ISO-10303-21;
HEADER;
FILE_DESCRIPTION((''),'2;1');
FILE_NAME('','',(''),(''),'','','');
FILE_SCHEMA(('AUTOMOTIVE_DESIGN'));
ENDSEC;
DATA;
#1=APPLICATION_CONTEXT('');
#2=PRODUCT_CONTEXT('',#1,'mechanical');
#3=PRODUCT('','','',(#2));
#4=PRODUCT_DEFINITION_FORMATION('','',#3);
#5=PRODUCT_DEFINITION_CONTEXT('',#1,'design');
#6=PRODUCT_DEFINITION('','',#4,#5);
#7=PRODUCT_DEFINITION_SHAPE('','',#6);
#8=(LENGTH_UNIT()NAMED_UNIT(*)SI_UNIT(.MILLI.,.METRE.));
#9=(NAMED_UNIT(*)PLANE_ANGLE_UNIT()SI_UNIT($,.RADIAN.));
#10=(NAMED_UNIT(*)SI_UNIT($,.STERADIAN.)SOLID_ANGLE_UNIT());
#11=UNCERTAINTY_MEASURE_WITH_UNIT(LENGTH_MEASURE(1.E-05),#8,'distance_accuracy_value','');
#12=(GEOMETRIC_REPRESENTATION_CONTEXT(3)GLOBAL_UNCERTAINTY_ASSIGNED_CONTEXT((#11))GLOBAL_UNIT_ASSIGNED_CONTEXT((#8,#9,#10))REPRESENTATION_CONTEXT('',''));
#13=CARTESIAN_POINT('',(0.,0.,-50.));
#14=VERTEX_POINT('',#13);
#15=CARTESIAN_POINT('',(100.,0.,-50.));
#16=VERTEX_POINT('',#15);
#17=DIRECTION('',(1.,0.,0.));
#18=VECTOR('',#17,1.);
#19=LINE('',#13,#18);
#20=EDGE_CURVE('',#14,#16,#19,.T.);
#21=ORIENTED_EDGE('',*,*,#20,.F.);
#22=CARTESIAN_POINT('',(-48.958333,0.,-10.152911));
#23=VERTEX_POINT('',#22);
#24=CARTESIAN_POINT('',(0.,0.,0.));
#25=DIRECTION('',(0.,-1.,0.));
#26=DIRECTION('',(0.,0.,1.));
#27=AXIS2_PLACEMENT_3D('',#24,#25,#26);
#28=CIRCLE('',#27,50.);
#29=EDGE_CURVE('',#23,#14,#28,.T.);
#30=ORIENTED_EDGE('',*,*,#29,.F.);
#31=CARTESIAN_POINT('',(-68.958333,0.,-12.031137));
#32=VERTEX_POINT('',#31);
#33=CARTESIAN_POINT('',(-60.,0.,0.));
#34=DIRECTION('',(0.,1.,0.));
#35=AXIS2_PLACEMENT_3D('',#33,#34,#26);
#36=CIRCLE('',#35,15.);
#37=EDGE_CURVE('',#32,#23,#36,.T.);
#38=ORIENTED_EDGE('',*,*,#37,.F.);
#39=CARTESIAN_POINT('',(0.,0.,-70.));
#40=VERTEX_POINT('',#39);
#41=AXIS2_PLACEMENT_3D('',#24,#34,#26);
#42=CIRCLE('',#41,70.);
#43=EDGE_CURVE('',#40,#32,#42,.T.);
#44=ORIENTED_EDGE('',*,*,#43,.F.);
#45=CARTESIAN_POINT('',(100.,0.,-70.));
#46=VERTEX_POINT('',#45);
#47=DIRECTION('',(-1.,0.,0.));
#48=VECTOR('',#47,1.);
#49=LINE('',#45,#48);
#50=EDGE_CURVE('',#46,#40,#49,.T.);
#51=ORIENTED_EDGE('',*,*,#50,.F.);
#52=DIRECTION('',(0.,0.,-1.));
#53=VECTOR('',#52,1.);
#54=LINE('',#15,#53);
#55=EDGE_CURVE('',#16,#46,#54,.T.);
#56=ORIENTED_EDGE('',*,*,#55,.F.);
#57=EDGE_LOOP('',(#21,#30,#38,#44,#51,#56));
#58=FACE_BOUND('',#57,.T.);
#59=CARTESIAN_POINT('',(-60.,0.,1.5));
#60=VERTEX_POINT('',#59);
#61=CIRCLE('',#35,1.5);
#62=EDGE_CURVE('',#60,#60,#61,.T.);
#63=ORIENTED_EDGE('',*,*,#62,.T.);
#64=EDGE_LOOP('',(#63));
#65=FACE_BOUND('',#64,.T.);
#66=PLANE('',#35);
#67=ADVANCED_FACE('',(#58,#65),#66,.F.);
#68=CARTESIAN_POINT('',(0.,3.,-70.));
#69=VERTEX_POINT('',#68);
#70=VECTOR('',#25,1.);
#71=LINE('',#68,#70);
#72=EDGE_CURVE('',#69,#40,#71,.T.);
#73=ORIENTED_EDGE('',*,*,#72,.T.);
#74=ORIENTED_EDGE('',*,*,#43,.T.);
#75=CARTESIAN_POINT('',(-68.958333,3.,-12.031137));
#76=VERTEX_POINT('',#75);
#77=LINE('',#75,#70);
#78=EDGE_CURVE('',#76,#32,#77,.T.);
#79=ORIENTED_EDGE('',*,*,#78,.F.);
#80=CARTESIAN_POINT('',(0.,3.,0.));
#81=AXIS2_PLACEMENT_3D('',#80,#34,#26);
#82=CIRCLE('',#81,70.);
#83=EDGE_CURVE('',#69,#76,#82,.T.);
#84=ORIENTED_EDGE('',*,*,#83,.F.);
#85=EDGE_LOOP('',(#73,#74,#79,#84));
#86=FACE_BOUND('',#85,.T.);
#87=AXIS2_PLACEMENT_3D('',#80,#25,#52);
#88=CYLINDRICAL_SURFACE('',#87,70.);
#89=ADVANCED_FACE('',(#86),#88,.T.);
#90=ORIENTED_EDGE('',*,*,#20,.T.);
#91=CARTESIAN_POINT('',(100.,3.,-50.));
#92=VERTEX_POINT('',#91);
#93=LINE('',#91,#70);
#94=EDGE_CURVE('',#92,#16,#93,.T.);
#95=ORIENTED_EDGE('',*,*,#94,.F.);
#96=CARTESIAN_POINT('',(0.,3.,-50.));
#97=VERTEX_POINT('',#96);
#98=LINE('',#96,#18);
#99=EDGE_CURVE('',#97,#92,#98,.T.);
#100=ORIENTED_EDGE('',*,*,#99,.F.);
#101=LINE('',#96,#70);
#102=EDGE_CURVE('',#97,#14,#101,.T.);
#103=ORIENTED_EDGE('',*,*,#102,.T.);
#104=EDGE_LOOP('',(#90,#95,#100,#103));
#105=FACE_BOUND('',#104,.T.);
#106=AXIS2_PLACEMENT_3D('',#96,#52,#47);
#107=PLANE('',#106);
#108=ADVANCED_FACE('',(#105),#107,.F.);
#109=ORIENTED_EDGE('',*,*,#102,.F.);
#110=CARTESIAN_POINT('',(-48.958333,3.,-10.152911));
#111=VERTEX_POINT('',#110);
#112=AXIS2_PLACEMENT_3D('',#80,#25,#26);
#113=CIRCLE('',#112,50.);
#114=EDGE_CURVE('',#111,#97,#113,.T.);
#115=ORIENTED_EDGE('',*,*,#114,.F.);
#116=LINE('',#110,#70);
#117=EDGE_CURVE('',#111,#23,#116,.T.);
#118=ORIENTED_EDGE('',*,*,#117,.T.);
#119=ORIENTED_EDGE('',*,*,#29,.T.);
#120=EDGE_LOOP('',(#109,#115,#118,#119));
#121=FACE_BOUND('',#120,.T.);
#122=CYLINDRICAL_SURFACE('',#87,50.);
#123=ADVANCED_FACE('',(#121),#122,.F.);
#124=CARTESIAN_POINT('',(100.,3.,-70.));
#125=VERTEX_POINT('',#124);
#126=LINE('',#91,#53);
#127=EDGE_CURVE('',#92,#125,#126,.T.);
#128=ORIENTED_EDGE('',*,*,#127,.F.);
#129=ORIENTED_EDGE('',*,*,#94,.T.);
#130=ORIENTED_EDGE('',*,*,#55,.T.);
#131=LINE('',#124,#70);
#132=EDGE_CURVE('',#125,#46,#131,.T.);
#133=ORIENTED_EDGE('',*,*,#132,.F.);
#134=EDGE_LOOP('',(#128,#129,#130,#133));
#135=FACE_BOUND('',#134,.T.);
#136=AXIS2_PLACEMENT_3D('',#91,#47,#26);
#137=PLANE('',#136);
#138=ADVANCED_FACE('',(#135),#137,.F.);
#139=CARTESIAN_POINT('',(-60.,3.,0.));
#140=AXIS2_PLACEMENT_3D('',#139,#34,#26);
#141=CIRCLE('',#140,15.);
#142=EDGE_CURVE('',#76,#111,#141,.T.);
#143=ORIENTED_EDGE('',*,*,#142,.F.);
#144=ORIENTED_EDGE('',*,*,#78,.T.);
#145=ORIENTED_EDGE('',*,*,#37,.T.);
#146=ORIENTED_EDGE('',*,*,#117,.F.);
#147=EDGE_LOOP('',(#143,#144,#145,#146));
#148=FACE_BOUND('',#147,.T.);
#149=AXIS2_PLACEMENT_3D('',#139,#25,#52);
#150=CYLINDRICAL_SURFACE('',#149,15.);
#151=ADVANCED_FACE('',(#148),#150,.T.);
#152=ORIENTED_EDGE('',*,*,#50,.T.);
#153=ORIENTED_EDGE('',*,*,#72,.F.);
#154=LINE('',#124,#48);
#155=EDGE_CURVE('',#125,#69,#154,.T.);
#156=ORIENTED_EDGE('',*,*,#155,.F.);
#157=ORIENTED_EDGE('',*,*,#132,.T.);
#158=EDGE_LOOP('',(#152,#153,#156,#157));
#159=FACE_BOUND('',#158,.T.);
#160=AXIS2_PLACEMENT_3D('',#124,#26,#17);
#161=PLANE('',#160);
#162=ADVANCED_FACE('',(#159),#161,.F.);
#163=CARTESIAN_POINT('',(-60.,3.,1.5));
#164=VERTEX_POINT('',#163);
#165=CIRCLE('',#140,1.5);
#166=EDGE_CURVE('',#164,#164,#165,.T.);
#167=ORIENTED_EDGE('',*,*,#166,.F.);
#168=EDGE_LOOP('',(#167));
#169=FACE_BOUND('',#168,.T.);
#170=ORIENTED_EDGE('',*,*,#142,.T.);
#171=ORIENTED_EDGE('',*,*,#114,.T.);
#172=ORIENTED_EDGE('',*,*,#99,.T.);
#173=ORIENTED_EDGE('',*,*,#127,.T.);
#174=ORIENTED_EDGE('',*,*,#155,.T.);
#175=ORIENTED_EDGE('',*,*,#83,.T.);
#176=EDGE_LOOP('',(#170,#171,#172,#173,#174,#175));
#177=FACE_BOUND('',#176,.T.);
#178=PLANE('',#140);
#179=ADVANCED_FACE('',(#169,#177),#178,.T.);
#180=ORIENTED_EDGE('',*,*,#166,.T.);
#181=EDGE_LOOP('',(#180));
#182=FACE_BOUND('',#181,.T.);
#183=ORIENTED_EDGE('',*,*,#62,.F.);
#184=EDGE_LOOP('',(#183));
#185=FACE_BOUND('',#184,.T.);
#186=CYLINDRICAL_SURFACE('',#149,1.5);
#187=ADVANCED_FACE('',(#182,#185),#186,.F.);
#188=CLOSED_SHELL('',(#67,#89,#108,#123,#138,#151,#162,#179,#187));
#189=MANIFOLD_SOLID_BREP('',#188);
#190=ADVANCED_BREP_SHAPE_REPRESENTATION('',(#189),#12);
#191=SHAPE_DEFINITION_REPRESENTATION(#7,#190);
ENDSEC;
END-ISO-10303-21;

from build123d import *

# Parameters (mm, degrees)
SKETCH1_R           = 1.5
BOSS_EXTRUDE1_DEPTH = 3


with BuildPart() as part:
    # Sketch1 → Boss-Extrude1 (new body)
    with BuildSketch(Plane(origin=(0, 0, 0), x_dir=(1, 0, 0), z_dir=(0, 1, 0))):
        with BuildLine():
            Line((0, 50), (100, 50))
            Line((100, 50), (100, 70))
            Line((100, 70), (0, 70))
            ThreePointArc((0, 70), (-45.043425666, 53.582551304), (-68.958333333, 12.031137265))
            ThreePointArc((-68.958333333, 12.031137265), (-61.402498888, -14.934289299), (-48.958333333, 10.152910776))
            ThreePointArc((-48.958333333, 10.152910776), (-31.562275435, 38.779153799), (0, 50))
        make_face()
        with Locations(Location((-60, 0, 0), (0, 0, 270))):
            Circle(SKETCH1_R, mode=Mode.SUBTRACT)
    extrude(amount=BOSS_EXTRUDE1_DEPTH)


solid = part.part
